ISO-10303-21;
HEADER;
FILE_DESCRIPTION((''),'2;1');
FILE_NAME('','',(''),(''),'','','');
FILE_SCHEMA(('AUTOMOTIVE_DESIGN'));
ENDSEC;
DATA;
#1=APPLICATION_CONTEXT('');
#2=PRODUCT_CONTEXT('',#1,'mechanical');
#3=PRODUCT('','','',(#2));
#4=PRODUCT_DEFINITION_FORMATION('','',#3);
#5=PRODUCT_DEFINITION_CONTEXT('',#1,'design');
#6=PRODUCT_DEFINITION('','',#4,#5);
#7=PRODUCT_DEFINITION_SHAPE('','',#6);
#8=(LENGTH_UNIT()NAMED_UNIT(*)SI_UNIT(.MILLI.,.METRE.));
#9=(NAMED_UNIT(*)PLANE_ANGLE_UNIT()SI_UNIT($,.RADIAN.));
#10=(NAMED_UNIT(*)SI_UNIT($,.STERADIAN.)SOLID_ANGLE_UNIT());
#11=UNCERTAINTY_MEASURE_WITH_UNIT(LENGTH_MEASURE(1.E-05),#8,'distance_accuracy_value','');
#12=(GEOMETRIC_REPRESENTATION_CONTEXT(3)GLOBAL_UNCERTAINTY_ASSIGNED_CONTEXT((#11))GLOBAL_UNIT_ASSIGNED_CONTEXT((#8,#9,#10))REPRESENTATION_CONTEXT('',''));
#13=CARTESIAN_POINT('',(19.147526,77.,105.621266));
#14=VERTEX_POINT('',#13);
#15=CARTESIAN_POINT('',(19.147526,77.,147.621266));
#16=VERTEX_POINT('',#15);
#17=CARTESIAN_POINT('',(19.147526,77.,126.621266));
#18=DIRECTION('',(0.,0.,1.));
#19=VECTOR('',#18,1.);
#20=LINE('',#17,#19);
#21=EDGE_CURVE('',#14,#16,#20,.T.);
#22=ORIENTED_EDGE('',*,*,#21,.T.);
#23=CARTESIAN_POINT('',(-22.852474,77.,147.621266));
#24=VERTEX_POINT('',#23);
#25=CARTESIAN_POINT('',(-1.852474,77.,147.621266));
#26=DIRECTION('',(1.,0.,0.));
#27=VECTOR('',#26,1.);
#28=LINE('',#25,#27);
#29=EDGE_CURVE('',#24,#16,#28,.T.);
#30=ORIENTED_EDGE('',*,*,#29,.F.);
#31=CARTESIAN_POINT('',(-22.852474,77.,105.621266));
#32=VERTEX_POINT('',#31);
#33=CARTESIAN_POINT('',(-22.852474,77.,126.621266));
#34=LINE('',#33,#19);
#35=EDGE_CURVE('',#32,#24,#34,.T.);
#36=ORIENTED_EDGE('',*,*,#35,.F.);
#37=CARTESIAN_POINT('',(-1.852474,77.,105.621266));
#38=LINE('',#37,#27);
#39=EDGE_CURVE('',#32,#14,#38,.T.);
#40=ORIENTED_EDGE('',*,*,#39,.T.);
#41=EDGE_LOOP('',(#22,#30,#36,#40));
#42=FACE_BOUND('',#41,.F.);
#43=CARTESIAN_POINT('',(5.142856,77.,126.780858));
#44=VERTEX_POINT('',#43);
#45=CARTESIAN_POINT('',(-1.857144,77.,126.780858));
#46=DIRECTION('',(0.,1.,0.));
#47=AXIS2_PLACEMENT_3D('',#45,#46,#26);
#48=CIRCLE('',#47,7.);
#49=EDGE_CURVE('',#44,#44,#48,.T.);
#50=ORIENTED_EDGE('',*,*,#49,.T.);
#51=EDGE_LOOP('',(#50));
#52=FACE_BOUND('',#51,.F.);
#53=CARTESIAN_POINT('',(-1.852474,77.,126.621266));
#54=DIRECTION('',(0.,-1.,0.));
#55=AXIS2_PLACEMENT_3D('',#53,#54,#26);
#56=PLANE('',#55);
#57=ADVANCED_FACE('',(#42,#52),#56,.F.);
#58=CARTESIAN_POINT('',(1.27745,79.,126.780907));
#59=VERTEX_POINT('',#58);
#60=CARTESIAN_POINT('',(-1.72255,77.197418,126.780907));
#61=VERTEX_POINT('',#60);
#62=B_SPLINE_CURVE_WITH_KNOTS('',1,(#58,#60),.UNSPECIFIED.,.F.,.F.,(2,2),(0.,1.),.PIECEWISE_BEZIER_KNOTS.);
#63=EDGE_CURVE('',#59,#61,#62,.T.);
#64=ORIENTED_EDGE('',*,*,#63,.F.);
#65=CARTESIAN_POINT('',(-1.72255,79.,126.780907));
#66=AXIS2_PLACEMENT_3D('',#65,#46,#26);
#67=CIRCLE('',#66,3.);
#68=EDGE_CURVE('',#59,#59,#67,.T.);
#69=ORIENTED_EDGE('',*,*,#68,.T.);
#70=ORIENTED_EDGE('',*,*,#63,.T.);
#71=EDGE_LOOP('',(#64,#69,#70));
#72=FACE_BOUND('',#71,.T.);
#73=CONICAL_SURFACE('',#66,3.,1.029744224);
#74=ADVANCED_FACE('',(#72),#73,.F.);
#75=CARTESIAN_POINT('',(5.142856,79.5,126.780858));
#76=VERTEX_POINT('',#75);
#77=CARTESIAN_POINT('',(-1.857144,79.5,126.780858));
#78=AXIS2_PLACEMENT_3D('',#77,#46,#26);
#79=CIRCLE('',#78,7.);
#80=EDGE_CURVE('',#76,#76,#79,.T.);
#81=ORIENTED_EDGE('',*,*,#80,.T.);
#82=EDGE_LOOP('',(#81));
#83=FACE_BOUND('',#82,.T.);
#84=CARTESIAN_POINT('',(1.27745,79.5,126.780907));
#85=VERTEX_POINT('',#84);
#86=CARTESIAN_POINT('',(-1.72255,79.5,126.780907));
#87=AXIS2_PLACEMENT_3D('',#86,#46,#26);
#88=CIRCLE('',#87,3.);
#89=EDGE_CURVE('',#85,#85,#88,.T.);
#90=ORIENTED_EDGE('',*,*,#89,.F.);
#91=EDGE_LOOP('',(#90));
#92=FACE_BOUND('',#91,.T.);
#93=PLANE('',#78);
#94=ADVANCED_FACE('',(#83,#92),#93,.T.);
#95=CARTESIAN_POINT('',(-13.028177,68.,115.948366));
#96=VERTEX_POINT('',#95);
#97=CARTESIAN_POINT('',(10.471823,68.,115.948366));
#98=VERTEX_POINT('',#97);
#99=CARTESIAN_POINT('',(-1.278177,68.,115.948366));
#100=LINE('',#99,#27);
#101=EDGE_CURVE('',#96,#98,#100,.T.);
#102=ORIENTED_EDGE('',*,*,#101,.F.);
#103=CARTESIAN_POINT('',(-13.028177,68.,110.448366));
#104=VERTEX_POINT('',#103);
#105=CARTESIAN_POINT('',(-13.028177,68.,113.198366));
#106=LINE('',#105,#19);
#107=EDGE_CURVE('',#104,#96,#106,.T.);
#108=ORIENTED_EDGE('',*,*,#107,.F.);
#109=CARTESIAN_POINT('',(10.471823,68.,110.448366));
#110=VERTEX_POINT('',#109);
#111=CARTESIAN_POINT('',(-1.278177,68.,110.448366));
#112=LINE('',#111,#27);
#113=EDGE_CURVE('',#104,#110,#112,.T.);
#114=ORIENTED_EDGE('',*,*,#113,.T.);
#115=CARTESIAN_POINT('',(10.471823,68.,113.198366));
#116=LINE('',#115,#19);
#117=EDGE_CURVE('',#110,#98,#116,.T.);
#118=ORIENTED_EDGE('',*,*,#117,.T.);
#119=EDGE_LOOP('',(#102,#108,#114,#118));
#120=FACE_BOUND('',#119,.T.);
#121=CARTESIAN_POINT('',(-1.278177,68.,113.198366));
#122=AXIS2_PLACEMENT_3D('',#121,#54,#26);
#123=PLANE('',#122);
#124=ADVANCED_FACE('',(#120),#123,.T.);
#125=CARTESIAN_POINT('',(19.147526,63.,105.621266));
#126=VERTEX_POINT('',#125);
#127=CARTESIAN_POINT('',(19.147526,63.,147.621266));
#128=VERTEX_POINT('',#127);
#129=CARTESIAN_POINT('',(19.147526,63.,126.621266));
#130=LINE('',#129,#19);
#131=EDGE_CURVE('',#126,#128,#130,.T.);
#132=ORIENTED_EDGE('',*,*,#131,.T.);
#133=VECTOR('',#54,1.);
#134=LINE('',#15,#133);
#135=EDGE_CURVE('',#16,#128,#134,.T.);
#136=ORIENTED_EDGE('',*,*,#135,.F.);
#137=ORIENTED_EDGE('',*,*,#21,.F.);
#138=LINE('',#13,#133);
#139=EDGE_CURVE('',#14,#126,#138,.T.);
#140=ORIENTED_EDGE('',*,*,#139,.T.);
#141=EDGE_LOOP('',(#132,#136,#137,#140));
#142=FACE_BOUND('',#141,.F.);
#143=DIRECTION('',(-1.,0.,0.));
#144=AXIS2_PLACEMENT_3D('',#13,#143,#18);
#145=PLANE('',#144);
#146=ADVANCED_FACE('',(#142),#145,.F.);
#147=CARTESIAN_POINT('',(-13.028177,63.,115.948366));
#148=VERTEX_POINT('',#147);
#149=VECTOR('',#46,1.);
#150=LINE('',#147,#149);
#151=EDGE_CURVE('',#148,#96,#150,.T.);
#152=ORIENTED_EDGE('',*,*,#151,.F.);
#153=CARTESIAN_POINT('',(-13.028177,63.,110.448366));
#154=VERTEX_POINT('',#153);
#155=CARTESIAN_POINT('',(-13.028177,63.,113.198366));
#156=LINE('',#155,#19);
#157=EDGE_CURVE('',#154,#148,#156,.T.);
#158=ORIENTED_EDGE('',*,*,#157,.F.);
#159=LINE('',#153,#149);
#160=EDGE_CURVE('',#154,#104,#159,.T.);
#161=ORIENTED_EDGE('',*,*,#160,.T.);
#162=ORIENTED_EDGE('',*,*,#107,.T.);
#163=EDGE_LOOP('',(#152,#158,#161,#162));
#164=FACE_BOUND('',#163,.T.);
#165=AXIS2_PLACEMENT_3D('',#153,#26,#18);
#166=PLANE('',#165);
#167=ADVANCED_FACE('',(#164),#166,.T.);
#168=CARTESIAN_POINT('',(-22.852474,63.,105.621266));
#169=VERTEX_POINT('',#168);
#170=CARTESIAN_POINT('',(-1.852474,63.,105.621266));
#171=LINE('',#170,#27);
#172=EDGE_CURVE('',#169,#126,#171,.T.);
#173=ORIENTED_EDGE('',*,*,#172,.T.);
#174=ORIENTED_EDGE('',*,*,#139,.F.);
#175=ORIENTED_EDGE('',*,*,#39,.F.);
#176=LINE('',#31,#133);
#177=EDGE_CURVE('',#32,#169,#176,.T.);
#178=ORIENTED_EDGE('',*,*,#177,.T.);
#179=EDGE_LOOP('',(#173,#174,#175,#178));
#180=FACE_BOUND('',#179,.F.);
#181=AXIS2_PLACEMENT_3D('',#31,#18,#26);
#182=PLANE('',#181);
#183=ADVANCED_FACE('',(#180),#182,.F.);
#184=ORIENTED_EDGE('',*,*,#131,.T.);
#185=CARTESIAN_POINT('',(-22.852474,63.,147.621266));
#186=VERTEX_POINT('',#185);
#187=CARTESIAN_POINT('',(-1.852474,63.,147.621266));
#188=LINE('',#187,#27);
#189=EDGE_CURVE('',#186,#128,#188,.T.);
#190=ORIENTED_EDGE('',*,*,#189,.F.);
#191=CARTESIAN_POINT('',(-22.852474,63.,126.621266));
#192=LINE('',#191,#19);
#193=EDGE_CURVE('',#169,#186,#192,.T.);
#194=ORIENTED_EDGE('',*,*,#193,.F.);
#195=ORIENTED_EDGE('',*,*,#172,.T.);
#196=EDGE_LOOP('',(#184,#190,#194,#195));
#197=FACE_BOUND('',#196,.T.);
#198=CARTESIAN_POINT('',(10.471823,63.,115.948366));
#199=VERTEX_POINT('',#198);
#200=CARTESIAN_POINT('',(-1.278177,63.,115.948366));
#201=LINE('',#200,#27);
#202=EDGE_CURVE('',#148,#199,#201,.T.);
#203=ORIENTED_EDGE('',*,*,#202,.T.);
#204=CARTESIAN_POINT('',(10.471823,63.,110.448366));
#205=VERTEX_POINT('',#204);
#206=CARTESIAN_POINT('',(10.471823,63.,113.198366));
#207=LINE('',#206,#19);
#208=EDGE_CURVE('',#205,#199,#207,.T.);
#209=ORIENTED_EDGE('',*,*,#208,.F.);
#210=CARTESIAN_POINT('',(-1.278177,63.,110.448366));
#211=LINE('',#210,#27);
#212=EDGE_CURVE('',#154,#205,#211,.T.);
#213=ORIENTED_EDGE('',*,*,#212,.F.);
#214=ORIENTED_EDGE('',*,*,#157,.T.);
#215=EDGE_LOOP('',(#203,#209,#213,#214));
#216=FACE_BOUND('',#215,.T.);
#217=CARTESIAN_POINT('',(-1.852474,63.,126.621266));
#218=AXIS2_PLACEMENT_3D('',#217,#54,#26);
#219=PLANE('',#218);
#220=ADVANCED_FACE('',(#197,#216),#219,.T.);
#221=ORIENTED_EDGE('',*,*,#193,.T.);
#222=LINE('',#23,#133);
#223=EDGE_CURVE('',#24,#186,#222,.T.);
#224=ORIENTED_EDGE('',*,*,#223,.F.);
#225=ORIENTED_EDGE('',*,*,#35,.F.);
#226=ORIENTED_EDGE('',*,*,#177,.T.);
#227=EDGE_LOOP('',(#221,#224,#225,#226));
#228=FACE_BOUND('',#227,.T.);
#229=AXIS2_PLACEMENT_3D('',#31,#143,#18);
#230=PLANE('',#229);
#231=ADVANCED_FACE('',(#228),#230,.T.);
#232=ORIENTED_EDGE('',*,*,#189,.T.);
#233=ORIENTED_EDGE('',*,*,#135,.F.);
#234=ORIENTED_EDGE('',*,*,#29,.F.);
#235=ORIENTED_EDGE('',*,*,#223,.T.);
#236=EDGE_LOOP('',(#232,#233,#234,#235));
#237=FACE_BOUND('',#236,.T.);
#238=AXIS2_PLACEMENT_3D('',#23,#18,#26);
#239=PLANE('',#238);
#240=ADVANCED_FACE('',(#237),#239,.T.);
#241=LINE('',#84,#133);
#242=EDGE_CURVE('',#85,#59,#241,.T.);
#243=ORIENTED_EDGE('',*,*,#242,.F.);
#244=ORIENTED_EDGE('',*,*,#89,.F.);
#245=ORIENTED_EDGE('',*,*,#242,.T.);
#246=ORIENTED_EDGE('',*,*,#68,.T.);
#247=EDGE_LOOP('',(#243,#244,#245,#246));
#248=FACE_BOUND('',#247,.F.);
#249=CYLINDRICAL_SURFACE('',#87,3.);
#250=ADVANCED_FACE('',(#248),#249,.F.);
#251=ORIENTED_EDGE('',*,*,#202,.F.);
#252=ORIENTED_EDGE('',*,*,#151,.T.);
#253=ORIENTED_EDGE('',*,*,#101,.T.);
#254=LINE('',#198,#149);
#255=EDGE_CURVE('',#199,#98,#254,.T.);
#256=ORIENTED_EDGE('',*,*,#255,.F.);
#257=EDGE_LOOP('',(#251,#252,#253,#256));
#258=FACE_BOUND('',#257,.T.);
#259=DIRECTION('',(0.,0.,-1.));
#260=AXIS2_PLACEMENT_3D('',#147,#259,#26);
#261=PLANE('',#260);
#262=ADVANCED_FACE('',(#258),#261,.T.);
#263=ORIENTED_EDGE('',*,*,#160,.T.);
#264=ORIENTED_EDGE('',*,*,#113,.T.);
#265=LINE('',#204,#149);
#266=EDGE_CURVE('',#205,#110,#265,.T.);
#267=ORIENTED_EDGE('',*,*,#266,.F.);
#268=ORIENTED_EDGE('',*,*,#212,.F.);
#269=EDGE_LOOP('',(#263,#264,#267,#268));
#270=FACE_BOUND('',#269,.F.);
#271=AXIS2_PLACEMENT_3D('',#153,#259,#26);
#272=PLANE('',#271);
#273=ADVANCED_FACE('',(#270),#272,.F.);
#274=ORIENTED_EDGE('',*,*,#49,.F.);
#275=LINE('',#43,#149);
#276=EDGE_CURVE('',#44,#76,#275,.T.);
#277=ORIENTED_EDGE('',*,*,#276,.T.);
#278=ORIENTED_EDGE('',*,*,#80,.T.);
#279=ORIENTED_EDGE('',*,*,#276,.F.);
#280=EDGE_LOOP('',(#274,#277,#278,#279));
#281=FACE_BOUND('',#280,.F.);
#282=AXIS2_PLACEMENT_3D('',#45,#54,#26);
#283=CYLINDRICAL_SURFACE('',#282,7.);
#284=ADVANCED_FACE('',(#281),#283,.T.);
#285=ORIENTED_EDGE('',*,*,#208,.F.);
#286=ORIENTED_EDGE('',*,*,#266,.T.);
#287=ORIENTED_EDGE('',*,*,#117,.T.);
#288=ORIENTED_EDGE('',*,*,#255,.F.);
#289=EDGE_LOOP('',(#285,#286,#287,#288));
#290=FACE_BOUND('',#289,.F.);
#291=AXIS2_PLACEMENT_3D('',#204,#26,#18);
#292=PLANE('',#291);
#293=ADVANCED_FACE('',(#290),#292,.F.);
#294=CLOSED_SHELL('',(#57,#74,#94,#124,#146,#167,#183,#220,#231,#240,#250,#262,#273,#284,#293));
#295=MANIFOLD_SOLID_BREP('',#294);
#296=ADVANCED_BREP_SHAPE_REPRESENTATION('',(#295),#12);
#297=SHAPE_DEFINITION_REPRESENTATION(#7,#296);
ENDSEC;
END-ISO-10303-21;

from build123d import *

# Parameters (mm, degrees)
SKETCH047_W     = 42
SKETCH047_H     = 42
PAD023_DEPTH    = 14
SKETCH048_R     = 7
PAD024_DEPTH    = 2.5
SKETCH049_R     = 3
HOLE_DEPTH      = 0.5
HOLE_TIPS_R     = 3
SKETCH050_W     = 23.5
SKETCH050_H     = 5.5
POCKET007_DEPTH = 5


with BuildPart() as part:
    # Sketch047 → Pad023 (new body)
    with BuildSketch(Plane.XZ):
        with Locations((8.147526, -9.378734)):
            Rectangle(SKETCH047_W, SKETCH047_H)
    extrude(amount=PAD023_DEPTH)

    # Sketch048 (on Face5 of Pad023) → Pad024 (join)
    with BuildSketch(Plane(origin=(0, 0, 0), x_dir=(1, 0, 0), z_dir=(0, 1, 0))):
        with Locations((8.142856, 9.219142)):
            Circle(SKETCH048_R)
    extrude(amount=PAD024_DEPTH)

    # Sketch049 (on Face8 of Pad024) → Hole (cut)
    with BuildSketch(Plane(origin=(0, 2.5, 0), x_dir=(1, 0, 0), z_dir=(0, 1, 0))):
        with Locations((8.27745, 9.219093)):
            Circle(SKETCH049_R)
    extrude(amount=-HOLE_DEPTH, mode=Mode.SUBTRACT)

    # Hole tips → Hole tip 1 section 0
    with BuildSketch(Plane(origin=(0, 2, 0), x_dir=(1, 0, 0), z_dir=(0, 1, 0)), mode=Mode.PRIVATE) as hole_tip_1_s0:
        with Locations((8.27745, 9.219093)):
            Circle(HOLE_TIPS_R)
    loft([hole_tip_1_s0.sketch, Vertex(8.27745, 0.197418, -9.219093)], mode=Mode.SUBTRACT)

    # Sketch050 (on Face5 of Hole) → Pocket007 (cut)
    with BuildSketch(Plane.XZ.offset(14)):
        with Locations((8.721823, -22.801634)):
            Rectangle(SKETCH050_W, SKETCH050_H)
    extrude(amount=-POCKET007_DEPTH, mode=Mode.SUBTRACT)


with BuildPart() as part_1:
    # Body006 placement: moved
    add(part.part.moved(Location((-10, 77, 136))))


solid = part_1.part
